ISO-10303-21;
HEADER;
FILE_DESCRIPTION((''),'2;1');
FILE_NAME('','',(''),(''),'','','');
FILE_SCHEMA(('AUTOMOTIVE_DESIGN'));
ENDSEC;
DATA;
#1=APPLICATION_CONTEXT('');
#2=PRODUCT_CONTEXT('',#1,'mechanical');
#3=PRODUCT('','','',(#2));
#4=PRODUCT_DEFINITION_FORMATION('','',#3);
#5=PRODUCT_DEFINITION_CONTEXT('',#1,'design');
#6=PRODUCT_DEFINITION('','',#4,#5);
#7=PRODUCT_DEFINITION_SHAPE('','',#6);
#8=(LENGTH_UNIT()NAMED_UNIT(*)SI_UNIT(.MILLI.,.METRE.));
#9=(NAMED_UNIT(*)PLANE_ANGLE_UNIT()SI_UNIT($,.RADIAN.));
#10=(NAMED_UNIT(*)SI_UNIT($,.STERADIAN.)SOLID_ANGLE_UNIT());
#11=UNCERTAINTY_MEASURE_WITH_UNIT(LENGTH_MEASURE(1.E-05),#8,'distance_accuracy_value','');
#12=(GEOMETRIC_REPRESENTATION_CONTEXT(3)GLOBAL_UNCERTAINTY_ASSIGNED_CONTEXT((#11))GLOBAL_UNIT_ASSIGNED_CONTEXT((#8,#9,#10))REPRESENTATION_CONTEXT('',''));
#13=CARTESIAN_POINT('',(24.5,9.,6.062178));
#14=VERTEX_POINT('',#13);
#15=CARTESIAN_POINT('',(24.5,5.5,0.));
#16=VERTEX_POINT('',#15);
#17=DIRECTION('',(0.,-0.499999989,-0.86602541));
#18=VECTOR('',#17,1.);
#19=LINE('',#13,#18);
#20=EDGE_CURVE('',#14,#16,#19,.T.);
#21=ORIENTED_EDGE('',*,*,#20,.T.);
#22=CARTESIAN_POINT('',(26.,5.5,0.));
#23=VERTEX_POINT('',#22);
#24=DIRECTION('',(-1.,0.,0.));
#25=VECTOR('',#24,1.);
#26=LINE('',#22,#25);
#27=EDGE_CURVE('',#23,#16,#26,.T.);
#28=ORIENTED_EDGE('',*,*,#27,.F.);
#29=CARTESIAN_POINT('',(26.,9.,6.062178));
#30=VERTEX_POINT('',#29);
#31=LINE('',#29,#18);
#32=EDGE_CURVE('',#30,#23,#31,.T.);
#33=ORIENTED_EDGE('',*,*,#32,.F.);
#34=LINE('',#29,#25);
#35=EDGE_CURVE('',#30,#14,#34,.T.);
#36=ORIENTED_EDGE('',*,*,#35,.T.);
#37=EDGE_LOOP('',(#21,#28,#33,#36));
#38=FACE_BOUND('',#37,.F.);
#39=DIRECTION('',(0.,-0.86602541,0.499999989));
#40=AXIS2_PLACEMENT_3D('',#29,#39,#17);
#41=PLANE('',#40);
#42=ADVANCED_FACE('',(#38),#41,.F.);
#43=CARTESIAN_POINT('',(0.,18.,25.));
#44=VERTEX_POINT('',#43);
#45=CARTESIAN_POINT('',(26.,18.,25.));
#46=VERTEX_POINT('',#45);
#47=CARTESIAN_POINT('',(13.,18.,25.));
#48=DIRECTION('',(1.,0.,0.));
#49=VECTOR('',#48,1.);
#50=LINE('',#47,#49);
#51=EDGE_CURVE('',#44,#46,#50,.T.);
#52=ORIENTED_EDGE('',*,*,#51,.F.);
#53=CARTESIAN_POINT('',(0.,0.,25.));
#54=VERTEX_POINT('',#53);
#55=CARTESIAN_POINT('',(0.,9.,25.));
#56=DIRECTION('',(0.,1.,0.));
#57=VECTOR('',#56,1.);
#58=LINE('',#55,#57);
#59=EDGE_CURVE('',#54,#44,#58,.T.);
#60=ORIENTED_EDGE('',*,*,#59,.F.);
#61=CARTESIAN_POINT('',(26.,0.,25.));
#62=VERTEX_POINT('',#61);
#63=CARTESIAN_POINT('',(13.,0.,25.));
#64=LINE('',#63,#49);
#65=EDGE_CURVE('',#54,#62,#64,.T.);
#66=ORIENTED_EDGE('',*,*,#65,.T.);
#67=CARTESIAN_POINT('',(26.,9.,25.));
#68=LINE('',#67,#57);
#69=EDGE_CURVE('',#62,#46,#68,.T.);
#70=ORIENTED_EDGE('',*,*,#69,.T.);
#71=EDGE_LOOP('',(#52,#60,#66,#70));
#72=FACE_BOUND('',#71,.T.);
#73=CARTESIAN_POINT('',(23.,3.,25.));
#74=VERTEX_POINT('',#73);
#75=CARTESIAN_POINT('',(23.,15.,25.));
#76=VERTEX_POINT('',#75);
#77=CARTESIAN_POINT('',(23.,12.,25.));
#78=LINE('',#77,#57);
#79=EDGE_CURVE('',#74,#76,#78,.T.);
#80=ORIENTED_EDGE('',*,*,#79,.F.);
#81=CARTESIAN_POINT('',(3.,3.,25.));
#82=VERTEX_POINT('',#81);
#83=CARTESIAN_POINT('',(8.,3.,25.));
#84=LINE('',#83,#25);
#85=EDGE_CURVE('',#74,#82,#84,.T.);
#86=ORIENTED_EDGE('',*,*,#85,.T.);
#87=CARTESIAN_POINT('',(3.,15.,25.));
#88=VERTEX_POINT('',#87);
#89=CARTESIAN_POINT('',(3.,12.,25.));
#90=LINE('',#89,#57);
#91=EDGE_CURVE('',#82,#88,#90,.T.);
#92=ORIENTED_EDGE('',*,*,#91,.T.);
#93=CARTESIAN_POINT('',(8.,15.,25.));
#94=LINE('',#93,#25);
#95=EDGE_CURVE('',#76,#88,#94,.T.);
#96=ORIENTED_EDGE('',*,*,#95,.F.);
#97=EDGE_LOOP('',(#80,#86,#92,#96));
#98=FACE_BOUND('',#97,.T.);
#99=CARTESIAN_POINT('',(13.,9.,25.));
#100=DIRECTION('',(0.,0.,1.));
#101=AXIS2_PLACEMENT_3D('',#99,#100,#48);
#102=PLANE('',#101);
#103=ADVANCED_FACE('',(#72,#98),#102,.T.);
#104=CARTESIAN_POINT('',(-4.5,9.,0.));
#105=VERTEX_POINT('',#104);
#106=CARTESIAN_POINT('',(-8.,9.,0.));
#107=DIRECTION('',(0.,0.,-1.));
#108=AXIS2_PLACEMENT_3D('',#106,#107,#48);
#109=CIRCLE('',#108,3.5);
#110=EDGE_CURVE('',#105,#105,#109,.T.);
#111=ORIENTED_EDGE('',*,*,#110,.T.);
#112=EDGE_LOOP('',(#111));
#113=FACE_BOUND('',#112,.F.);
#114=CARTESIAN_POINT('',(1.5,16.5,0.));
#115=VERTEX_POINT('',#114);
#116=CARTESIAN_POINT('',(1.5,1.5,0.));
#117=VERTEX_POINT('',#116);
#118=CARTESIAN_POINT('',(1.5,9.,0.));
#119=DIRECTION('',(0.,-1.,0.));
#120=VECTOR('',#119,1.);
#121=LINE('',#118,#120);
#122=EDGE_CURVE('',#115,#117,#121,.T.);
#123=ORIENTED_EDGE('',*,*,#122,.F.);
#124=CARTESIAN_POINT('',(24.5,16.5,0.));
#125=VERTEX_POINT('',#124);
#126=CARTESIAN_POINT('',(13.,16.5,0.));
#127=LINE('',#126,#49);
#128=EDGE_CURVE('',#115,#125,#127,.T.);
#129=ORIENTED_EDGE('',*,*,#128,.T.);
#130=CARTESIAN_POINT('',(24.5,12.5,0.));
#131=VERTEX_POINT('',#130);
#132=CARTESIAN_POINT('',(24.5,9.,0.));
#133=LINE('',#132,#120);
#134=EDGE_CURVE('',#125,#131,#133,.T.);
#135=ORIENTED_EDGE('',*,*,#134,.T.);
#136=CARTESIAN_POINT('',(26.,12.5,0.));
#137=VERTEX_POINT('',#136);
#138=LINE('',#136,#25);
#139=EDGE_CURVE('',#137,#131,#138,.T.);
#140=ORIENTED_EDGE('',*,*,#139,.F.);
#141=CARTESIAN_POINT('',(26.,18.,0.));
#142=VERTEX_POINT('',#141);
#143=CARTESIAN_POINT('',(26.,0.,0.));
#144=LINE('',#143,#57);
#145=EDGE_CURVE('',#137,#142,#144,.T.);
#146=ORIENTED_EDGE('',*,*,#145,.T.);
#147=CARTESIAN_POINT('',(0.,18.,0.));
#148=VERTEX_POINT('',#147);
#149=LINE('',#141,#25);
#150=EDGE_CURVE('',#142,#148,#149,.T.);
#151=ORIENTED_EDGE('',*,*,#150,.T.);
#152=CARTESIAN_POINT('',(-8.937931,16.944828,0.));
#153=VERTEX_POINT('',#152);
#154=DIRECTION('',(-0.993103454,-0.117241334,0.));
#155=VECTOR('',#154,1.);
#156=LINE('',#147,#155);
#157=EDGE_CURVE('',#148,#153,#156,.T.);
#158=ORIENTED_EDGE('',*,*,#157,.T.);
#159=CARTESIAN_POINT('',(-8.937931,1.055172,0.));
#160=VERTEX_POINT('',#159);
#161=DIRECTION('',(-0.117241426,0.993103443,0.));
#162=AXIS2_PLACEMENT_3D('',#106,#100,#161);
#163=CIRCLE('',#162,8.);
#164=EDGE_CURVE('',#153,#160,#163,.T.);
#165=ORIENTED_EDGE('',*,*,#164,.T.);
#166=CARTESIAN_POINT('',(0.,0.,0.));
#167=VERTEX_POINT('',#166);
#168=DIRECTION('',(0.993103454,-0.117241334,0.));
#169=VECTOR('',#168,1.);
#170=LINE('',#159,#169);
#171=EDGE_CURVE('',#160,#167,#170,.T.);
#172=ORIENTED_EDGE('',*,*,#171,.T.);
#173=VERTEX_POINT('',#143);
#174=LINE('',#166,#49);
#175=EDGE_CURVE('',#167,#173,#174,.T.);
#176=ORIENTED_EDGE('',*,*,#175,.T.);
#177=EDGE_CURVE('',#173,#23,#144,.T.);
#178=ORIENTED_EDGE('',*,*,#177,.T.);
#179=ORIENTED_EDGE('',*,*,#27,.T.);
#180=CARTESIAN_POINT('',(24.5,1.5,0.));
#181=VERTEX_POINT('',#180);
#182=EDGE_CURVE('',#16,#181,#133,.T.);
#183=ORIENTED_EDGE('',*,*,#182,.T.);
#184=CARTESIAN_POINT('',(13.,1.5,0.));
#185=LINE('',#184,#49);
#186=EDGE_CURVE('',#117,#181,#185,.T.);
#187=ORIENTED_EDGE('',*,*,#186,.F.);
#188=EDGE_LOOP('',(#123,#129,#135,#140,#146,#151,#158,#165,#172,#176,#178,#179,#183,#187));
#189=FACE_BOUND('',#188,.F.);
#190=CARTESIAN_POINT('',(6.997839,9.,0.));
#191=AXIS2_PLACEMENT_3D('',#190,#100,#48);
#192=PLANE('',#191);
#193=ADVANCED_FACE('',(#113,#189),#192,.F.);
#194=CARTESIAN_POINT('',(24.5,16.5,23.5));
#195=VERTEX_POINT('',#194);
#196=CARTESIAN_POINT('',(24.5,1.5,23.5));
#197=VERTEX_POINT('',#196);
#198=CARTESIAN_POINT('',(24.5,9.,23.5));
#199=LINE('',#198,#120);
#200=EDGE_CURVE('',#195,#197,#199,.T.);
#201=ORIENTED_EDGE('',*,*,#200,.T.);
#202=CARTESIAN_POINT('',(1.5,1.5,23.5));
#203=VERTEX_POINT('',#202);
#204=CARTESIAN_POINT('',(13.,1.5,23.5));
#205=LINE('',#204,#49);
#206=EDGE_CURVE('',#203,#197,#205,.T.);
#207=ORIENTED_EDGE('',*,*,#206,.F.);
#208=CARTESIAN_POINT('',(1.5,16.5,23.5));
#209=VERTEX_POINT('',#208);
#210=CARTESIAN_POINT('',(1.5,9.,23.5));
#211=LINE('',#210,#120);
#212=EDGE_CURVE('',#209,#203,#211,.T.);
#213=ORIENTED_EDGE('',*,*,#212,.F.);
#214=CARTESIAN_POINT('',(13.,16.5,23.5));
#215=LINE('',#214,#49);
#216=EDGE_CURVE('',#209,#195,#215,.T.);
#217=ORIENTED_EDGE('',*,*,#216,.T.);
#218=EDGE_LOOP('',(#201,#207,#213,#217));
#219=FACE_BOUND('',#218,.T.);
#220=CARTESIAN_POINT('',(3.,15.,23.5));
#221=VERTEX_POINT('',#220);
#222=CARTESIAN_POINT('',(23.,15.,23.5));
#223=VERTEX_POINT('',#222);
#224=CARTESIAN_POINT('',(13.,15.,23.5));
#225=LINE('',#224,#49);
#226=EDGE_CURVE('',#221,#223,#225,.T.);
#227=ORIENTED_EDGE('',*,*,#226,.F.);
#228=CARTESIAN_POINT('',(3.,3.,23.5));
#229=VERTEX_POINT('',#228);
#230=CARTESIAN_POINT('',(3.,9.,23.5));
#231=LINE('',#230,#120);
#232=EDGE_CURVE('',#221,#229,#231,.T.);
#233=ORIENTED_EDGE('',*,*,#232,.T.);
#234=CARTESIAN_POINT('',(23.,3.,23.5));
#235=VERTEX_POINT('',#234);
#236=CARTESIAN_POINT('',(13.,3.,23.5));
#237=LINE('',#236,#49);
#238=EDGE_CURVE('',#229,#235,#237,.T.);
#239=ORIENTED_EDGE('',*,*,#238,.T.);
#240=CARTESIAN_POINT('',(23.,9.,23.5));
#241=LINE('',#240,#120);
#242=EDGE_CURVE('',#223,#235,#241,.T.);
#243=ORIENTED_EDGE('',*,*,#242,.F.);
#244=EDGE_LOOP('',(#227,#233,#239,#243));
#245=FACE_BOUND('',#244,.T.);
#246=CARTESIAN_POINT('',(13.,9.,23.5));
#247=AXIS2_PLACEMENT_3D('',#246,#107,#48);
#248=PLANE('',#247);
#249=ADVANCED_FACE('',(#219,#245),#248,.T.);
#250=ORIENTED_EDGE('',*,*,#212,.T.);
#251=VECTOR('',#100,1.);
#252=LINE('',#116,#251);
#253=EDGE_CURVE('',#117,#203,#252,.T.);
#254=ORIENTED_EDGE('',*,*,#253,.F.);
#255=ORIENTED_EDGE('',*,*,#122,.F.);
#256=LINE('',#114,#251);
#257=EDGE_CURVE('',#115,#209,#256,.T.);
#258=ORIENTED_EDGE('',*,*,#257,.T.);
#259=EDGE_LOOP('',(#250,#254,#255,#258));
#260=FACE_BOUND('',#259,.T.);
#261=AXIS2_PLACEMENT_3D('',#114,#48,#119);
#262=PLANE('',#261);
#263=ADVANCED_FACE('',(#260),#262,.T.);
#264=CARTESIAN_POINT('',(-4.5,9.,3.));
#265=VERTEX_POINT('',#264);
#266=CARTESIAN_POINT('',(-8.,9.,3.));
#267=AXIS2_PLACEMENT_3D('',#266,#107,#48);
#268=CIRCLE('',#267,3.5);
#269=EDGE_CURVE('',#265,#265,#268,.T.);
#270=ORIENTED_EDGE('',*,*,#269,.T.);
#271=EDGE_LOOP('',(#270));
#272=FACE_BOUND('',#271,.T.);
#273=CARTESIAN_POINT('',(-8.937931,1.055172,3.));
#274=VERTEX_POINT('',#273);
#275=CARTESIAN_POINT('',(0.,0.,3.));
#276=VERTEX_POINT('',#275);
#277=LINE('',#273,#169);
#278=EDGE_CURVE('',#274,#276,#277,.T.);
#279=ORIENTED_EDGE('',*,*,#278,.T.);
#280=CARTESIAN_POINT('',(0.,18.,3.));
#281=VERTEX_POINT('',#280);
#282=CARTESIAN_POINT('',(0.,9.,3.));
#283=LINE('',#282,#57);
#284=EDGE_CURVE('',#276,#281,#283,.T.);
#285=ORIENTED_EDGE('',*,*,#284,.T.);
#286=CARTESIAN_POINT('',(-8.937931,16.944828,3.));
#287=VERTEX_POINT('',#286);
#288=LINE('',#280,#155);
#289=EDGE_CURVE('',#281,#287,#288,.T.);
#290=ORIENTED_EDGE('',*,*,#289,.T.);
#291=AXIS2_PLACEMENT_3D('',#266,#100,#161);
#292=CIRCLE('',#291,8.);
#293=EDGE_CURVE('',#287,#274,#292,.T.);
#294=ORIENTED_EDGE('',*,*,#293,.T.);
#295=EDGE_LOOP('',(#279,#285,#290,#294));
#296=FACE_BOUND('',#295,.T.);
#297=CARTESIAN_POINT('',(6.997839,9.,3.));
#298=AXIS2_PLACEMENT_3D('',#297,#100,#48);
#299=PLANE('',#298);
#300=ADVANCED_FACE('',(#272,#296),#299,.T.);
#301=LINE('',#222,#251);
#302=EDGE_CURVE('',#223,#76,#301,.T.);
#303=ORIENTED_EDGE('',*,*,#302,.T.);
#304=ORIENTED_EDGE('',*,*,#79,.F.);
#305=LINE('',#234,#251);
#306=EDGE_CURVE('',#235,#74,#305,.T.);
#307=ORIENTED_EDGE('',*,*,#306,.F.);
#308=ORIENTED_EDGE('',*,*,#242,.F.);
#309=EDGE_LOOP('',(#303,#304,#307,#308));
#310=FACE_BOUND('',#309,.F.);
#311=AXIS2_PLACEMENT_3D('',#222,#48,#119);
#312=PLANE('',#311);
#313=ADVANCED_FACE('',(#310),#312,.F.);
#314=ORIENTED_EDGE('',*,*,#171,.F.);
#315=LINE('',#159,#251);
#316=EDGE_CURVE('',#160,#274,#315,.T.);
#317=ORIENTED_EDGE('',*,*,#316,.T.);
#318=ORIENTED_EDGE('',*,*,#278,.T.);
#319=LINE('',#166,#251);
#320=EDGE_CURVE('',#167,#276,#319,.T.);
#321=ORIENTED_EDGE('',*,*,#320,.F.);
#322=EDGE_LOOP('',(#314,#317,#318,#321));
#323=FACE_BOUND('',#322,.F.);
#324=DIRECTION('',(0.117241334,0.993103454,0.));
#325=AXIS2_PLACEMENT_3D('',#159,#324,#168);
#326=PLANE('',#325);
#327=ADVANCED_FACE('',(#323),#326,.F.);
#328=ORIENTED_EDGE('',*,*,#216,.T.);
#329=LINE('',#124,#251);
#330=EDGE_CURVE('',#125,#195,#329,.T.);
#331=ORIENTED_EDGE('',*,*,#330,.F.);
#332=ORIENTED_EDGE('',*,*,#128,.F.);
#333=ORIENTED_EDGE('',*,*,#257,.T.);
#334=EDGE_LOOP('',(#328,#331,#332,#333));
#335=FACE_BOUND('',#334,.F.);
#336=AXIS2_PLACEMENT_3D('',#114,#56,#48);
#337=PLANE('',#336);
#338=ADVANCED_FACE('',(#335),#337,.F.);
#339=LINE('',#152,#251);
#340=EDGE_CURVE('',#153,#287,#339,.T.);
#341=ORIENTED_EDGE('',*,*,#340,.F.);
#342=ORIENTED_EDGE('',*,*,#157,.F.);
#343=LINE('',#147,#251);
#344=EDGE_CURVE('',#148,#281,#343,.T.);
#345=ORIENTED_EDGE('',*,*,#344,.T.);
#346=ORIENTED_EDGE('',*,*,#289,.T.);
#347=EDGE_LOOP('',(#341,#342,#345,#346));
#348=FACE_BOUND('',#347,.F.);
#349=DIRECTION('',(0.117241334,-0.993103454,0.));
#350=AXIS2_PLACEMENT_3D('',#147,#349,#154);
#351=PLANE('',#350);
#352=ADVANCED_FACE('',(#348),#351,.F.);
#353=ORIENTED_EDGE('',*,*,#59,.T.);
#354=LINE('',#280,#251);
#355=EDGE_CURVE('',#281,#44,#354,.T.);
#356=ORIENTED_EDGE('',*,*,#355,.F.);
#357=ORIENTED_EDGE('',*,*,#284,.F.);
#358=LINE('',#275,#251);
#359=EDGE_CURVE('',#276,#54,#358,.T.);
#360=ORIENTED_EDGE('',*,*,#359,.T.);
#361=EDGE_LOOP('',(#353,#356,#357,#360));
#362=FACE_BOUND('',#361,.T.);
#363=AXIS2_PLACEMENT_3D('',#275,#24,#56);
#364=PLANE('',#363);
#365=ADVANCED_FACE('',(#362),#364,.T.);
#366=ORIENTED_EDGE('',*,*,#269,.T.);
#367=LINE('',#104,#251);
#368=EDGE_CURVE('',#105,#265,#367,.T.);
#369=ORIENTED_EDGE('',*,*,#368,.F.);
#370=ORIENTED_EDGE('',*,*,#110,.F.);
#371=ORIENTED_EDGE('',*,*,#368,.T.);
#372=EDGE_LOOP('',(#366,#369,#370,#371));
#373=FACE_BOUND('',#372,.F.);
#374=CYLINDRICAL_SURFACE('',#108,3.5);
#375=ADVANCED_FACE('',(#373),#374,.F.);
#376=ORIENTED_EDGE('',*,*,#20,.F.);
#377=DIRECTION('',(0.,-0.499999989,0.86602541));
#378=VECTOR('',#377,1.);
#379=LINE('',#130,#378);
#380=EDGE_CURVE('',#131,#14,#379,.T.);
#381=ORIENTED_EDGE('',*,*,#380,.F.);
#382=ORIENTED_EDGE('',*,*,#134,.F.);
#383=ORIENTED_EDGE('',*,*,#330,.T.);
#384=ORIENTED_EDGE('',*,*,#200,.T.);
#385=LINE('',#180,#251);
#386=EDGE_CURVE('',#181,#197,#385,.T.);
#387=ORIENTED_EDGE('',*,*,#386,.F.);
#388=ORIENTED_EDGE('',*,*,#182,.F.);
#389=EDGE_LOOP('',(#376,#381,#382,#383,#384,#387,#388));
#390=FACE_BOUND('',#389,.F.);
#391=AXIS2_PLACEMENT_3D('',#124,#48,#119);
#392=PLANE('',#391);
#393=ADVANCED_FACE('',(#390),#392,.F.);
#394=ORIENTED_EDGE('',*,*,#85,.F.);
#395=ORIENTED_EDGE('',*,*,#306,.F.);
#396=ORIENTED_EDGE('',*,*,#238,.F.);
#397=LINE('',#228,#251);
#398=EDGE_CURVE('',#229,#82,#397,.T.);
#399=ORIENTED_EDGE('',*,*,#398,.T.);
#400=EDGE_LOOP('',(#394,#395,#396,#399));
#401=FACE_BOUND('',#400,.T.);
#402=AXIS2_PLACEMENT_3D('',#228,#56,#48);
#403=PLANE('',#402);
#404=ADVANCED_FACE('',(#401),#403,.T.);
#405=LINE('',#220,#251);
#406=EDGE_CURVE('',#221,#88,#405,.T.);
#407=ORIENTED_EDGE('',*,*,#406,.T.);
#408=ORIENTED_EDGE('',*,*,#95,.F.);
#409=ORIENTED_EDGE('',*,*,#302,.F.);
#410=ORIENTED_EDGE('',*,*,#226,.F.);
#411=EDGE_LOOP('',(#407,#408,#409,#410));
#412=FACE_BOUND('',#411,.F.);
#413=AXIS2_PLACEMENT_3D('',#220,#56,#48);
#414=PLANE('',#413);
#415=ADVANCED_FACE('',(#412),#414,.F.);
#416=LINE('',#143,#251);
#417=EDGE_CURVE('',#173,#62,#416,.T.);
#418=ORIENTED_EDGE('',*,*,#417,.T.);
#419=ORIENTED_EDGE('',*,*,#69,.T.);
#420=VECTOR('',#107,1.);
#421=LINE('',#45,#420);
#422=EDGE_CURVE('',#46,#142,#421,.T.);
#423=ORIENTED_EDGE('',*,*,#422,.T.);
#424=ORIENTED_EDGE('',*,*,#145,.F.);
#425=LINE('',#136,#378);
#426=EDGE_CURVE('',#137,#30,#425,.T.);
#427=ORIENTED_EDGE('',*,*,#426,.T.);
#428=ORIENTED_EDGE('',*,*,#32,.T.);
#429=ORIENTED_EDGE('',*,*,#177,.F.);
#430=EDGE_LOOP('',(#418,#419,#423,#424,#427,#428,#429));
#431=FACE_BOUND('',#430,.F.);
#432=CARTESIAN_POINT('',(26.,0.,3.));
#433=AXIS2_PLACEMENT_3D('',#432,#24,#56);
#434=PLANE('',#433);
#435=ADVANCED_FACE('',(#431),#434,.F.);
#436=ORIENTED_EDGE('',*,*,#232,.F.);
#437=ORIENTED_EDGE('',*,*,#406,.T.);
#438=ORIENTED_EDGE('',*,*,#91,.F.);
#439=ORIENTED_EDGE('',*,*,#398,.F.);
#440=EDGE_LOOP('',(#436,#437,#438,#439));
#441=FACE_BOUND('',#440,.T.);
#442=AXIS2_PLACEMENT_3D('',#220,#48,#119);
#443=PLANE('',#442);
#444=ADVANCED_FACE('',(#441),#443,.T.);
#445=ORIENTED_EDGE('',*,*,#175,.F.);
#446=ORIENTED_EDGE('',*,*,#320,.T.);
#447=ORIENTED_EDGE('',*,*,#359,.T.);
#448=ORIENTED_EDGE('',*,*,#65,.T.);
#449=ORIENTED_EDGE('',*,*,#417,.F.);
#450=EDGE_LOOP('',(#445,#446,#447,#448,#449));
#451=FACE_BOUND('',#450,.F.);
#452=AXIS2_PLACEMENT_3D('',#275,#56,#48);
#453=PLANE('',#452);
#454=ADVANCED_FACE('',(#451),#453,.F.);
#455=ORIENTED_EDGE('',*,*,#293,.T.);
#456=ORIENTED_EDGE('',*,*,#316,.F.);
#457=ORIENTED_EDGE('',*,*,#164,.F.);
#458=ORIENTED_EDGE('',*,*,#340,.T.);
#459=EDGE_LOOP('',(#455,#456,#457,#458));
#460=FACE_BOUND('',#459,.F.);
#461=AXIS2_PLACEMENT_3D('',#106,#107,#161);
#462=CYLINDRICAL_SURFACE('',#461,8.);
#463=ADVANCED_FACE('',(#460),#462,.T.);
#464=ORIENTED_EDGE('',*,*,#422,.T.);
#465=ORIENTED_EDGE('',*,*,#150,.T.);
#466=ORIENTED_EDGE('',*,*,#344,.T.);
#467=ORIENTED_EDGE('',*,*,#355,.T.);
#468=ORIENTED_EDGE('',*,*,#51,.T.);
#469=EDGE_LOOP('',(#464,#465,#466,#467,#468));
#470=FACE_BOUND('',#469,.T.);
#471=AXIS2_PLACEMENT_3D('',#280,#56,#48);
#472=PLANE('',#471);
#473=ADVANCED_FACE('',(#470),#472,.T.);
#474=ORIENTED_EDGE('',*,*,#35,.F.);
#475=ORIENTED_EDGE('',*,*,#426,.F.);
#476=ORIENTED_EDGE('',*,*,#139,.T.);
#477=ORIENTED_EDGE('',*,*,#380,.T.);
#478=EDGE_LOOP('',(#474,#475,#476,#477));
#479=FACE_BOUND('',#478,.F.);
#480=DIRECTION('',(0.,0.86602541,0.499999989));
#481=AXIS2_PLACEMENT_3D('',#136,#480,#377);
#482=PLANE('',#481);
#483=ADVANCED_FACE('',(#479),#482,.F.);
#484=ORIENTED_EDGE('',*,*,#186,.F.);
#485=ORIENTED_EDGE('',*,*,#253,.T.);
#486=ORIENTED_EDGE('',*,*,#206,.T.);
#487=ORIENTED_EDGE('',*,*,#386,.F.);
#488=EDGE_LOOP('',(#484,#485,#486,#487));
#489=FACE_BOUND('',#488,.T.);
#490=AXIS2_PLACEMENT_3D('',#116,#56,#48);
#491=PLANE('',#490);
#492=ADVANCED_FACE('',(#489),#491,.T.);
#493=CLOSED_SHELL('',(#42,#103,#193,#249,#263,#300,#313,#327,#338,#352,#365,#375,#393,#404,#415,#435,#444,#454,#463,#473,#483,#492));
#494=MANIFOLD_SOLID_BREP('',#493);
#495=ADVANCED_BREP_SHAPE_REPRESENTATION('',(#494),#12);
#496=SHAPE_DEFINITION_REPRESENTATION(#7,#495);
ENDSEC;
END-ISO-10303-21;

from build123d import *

# Parameters (mm, degrees)
PAD_DEPTH       = 3
SKETCH001_W     = 26
SKETCH001_H     = 18
PAD001_DEPTH    = 22
SKETCH002_W     = 23
SKETCH002_H     = 15
POCKET_DEPTH    = 23.5
SKETCH003_W     = 20
SKETCH003_H     = 12
POCKET001_DEPTH = 1.501
SKETCH004_R     = 3.5
POCKET002_DEPTH = 25.001
POCKET003_DEPTH = 1.5


with BuildPart() as part:
    # Sketch → Pad (new body)
    with BuildSketch(Plane.XY):
        with BuildLine():
            Line((0, 0), (26, 0))
            Line((26, 0), (26, 18))
            Line((26, 18), (0, 18))
            Line((0, 18), (-8.937931, 16.944828))
            ThreePointArc((-8.937931, 16.944828), (-16, 9), (-8.937931, 1.055172))
            Line((-8.937931, 1.055172), (0, 0))
        make_face()
    extrude(amount=PAD_DEPTH)

    # Sketch001 (on Face8 of Pad) → Pad001 (join)
    with BuildSketch(Plane.XY.offset(3)):
        with Locations((13, 9)):
            Rectangle(SKETCH001_W, SKETCH001_H)
    extrude(amount=PAD001_DEPTH)

    # Sketch002 (on Face2 of Pad001) → Pocket (cut)
    with BuildSketch(Plane(origin=(0, 0, 0), x_dir=(1, 0, 0), z_dir=(0, 0, -1))):
        with Locations((13, -9)):
            Rectangle(SKETCH002_W, SKETCH002_H)
    extrude(amount=-POCKET_DEPTH, mode=Mode.SUBTRACT)

    # Sketch003 (on Face15 of Pocket) → Pocket001 (cut, through all)
    with BuildSketch(Plane(origin=(0, 0, 23.5), x_dir=(1, 0, 0), z_dir=(0, 0, -1))):
        with Locations((13, -9)):
            Rectangle(SKETCH003_W, SKETCH003_H)
    extrude(amount=-POCKET001_DEPTH, mode=Mode.SUBTRACT)

    # Sketch004 (on Face4 of Pocket001) → Pocket002 (cut, through all)
    with BuildSketch(Plane(origin=(0, 0, 0), x_dir=(1, 0, 0), z_dir=(0, 0, -1))):
        with Locations((-8, -9)):
            Circle(SKETCH004_R)
    extrude(amount=-POCKET002_DEPTH, mode=Mode.SUBTRACT)

    # Sketch005 (on Face7 of Pocket002) → Pocket003 (cut)
    with BuildSketch(Plane.YZ.offset(26)):
        Polygon((12.5, 0), (9, 6.062178), (5.5, 0), align=None)
    extrude(amount=-POCKET003_DEPTH, mode=Mode.SUBTRACT)


solid = part.part
